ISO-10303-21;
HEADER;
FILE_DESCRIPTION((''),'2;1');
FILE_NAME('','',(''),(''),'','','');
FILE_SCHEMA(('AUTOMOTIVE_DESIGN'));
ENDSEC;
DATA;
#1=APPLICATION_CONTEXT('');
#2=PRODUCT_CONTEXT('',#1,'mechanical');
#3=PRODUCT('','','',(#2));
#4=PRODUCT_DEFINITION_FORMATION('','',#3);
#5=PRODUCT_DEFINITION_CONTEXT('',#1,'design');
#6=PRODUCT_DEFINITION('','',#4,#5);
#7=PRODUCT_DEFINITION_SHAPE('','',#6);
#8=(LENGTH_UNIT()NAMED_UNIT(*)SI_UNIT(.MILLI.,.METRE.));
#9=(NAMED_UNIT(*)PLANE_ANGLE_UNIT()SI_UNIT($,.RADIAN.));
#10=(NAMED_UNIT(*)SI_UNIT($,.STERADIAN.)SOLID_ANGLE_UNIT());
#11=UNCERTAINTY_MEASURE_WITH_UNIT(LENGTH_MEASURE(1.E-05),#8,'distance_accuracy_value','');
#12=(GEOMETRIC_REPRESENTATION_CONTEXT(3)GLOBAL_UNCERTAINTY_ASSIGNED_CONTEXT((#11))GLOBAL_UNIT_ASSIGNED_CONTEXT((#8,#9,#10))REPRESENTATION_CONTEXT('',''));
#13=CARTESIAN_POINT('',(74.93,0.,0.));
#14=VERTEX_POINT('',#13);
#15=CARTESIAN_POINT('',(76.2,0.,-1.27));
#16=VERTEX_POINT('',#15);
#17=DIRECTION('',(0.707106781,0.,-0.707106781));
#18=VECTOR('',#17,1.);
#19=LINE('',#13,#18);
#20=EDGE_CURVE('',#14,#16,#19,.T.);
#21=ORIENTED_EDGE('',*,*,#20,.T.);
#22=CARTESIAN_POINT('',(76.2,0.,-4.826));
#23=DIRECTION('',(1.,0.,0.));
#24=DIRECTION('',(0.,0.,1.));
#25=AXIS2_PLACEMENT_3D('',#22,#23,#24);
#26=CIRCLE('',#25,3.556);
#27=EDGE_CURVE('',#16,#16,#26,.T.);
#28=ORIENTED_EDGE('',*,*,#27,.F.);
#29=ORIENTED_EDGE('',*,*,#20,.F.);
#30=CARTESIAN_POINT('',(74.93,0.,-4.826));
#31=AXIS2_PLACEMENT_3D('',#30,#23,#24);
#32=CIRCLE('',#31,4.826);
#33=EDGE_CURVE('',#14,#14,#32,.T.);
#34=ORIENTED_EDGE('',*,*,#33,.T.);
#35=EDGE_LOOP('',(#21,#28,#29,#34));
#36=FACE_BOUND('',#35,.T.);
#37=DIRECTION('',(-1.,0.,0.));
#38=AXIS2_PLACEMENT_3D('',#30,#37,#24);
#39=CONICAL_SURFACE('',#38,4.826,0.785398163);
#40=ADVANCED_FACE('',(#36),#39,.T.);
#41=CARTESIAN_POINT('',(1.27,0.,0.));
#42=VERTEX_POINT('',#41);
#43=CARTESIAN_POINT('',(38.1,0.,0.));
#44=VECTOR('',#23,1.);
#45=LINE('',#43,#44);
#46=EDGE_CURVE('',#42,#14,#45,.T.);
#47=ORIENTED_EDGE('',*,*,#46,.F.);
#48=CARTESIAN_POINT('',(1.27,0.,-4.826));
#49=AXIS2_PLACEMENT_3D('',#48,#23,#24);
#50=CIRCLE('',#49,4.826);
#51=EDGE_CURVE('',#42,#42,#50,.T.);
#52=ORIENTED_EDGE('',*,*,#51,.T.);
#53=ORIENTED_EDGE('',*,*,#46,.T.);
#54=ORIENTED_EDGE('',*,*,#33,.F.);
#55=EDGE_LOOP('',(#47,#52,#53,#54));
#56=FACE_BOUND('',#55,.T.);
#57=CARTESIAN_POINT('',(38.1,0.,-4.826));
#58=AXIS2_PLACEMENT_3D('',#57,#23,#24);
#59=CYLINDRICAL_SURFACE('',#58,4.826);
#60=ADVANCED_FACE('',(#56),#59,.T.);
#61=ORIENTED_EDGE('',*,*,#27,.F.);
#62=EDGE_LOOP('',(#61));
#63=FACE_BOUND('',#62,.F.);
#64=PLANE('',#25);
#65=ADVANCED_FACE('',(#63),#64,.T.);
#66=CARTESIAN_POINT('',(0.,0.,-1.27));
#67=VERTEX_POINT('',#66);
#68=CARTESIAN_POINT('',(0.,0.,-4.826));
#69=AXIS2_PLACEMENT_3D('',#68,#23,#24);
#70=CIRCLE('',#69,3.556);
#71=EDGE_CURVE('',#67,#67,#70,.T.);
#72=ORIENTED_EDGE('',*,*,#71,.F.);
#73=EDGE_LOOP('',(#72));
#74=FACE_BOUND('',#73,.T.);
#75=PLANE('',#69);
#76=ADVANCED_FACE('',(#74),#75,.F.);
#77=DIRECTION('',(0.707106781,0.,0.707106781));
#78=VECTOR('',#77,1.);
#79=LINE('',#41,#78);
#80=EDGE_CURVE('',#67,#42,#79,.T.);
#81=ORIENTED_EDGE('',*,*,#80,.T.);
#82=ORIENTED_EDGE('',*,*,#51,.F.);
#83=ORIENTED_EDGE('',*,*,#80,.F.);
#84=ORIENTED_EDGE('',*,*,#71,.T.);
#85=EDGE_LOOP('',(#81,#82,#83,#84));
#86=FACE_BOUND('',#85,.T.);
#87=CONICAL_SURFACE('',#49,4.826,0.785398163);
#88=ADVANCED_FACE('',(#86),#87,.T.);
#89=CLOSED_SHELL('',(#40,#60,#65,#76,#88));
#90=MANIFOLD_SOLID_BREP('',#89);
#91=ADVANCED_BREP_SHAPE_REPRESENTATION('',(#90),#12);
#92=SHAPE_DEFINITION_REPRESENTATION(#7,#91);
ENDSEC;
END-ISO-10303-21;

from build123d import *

# Parameters (mm, degrees)
F0_W    = 76.2
F0_H    = 4.826
F2_SIZE = 1.27
F3_SIZE = 1.27


with BuildPart() as f1:
    # F0 (on Front) → F1 (revolve)
    with BuildSketch(Plane.XZ):
        with Locations((38.1, -2.413)):
            Rectangle(F0_W, F0_H)
    revolve(axis=Axis((38.1, 0, -4.826), (1, 0, 0)))

    # F2
    f2_edges = [f1.edges().sort_by_distance(p)[0] for p in [
        (0, 0, -9.652),
    ]]
    chamfer(f2_edges, length=F2_SIZE)

    # F3
    f3_edges = [f1.edges().sort_by_distance(p)[0] for p in [
        (76.2, 0, -9.652),
    ]]
    chamfer(f3_edges, length=F3_SIZE)


solid = f1.part
